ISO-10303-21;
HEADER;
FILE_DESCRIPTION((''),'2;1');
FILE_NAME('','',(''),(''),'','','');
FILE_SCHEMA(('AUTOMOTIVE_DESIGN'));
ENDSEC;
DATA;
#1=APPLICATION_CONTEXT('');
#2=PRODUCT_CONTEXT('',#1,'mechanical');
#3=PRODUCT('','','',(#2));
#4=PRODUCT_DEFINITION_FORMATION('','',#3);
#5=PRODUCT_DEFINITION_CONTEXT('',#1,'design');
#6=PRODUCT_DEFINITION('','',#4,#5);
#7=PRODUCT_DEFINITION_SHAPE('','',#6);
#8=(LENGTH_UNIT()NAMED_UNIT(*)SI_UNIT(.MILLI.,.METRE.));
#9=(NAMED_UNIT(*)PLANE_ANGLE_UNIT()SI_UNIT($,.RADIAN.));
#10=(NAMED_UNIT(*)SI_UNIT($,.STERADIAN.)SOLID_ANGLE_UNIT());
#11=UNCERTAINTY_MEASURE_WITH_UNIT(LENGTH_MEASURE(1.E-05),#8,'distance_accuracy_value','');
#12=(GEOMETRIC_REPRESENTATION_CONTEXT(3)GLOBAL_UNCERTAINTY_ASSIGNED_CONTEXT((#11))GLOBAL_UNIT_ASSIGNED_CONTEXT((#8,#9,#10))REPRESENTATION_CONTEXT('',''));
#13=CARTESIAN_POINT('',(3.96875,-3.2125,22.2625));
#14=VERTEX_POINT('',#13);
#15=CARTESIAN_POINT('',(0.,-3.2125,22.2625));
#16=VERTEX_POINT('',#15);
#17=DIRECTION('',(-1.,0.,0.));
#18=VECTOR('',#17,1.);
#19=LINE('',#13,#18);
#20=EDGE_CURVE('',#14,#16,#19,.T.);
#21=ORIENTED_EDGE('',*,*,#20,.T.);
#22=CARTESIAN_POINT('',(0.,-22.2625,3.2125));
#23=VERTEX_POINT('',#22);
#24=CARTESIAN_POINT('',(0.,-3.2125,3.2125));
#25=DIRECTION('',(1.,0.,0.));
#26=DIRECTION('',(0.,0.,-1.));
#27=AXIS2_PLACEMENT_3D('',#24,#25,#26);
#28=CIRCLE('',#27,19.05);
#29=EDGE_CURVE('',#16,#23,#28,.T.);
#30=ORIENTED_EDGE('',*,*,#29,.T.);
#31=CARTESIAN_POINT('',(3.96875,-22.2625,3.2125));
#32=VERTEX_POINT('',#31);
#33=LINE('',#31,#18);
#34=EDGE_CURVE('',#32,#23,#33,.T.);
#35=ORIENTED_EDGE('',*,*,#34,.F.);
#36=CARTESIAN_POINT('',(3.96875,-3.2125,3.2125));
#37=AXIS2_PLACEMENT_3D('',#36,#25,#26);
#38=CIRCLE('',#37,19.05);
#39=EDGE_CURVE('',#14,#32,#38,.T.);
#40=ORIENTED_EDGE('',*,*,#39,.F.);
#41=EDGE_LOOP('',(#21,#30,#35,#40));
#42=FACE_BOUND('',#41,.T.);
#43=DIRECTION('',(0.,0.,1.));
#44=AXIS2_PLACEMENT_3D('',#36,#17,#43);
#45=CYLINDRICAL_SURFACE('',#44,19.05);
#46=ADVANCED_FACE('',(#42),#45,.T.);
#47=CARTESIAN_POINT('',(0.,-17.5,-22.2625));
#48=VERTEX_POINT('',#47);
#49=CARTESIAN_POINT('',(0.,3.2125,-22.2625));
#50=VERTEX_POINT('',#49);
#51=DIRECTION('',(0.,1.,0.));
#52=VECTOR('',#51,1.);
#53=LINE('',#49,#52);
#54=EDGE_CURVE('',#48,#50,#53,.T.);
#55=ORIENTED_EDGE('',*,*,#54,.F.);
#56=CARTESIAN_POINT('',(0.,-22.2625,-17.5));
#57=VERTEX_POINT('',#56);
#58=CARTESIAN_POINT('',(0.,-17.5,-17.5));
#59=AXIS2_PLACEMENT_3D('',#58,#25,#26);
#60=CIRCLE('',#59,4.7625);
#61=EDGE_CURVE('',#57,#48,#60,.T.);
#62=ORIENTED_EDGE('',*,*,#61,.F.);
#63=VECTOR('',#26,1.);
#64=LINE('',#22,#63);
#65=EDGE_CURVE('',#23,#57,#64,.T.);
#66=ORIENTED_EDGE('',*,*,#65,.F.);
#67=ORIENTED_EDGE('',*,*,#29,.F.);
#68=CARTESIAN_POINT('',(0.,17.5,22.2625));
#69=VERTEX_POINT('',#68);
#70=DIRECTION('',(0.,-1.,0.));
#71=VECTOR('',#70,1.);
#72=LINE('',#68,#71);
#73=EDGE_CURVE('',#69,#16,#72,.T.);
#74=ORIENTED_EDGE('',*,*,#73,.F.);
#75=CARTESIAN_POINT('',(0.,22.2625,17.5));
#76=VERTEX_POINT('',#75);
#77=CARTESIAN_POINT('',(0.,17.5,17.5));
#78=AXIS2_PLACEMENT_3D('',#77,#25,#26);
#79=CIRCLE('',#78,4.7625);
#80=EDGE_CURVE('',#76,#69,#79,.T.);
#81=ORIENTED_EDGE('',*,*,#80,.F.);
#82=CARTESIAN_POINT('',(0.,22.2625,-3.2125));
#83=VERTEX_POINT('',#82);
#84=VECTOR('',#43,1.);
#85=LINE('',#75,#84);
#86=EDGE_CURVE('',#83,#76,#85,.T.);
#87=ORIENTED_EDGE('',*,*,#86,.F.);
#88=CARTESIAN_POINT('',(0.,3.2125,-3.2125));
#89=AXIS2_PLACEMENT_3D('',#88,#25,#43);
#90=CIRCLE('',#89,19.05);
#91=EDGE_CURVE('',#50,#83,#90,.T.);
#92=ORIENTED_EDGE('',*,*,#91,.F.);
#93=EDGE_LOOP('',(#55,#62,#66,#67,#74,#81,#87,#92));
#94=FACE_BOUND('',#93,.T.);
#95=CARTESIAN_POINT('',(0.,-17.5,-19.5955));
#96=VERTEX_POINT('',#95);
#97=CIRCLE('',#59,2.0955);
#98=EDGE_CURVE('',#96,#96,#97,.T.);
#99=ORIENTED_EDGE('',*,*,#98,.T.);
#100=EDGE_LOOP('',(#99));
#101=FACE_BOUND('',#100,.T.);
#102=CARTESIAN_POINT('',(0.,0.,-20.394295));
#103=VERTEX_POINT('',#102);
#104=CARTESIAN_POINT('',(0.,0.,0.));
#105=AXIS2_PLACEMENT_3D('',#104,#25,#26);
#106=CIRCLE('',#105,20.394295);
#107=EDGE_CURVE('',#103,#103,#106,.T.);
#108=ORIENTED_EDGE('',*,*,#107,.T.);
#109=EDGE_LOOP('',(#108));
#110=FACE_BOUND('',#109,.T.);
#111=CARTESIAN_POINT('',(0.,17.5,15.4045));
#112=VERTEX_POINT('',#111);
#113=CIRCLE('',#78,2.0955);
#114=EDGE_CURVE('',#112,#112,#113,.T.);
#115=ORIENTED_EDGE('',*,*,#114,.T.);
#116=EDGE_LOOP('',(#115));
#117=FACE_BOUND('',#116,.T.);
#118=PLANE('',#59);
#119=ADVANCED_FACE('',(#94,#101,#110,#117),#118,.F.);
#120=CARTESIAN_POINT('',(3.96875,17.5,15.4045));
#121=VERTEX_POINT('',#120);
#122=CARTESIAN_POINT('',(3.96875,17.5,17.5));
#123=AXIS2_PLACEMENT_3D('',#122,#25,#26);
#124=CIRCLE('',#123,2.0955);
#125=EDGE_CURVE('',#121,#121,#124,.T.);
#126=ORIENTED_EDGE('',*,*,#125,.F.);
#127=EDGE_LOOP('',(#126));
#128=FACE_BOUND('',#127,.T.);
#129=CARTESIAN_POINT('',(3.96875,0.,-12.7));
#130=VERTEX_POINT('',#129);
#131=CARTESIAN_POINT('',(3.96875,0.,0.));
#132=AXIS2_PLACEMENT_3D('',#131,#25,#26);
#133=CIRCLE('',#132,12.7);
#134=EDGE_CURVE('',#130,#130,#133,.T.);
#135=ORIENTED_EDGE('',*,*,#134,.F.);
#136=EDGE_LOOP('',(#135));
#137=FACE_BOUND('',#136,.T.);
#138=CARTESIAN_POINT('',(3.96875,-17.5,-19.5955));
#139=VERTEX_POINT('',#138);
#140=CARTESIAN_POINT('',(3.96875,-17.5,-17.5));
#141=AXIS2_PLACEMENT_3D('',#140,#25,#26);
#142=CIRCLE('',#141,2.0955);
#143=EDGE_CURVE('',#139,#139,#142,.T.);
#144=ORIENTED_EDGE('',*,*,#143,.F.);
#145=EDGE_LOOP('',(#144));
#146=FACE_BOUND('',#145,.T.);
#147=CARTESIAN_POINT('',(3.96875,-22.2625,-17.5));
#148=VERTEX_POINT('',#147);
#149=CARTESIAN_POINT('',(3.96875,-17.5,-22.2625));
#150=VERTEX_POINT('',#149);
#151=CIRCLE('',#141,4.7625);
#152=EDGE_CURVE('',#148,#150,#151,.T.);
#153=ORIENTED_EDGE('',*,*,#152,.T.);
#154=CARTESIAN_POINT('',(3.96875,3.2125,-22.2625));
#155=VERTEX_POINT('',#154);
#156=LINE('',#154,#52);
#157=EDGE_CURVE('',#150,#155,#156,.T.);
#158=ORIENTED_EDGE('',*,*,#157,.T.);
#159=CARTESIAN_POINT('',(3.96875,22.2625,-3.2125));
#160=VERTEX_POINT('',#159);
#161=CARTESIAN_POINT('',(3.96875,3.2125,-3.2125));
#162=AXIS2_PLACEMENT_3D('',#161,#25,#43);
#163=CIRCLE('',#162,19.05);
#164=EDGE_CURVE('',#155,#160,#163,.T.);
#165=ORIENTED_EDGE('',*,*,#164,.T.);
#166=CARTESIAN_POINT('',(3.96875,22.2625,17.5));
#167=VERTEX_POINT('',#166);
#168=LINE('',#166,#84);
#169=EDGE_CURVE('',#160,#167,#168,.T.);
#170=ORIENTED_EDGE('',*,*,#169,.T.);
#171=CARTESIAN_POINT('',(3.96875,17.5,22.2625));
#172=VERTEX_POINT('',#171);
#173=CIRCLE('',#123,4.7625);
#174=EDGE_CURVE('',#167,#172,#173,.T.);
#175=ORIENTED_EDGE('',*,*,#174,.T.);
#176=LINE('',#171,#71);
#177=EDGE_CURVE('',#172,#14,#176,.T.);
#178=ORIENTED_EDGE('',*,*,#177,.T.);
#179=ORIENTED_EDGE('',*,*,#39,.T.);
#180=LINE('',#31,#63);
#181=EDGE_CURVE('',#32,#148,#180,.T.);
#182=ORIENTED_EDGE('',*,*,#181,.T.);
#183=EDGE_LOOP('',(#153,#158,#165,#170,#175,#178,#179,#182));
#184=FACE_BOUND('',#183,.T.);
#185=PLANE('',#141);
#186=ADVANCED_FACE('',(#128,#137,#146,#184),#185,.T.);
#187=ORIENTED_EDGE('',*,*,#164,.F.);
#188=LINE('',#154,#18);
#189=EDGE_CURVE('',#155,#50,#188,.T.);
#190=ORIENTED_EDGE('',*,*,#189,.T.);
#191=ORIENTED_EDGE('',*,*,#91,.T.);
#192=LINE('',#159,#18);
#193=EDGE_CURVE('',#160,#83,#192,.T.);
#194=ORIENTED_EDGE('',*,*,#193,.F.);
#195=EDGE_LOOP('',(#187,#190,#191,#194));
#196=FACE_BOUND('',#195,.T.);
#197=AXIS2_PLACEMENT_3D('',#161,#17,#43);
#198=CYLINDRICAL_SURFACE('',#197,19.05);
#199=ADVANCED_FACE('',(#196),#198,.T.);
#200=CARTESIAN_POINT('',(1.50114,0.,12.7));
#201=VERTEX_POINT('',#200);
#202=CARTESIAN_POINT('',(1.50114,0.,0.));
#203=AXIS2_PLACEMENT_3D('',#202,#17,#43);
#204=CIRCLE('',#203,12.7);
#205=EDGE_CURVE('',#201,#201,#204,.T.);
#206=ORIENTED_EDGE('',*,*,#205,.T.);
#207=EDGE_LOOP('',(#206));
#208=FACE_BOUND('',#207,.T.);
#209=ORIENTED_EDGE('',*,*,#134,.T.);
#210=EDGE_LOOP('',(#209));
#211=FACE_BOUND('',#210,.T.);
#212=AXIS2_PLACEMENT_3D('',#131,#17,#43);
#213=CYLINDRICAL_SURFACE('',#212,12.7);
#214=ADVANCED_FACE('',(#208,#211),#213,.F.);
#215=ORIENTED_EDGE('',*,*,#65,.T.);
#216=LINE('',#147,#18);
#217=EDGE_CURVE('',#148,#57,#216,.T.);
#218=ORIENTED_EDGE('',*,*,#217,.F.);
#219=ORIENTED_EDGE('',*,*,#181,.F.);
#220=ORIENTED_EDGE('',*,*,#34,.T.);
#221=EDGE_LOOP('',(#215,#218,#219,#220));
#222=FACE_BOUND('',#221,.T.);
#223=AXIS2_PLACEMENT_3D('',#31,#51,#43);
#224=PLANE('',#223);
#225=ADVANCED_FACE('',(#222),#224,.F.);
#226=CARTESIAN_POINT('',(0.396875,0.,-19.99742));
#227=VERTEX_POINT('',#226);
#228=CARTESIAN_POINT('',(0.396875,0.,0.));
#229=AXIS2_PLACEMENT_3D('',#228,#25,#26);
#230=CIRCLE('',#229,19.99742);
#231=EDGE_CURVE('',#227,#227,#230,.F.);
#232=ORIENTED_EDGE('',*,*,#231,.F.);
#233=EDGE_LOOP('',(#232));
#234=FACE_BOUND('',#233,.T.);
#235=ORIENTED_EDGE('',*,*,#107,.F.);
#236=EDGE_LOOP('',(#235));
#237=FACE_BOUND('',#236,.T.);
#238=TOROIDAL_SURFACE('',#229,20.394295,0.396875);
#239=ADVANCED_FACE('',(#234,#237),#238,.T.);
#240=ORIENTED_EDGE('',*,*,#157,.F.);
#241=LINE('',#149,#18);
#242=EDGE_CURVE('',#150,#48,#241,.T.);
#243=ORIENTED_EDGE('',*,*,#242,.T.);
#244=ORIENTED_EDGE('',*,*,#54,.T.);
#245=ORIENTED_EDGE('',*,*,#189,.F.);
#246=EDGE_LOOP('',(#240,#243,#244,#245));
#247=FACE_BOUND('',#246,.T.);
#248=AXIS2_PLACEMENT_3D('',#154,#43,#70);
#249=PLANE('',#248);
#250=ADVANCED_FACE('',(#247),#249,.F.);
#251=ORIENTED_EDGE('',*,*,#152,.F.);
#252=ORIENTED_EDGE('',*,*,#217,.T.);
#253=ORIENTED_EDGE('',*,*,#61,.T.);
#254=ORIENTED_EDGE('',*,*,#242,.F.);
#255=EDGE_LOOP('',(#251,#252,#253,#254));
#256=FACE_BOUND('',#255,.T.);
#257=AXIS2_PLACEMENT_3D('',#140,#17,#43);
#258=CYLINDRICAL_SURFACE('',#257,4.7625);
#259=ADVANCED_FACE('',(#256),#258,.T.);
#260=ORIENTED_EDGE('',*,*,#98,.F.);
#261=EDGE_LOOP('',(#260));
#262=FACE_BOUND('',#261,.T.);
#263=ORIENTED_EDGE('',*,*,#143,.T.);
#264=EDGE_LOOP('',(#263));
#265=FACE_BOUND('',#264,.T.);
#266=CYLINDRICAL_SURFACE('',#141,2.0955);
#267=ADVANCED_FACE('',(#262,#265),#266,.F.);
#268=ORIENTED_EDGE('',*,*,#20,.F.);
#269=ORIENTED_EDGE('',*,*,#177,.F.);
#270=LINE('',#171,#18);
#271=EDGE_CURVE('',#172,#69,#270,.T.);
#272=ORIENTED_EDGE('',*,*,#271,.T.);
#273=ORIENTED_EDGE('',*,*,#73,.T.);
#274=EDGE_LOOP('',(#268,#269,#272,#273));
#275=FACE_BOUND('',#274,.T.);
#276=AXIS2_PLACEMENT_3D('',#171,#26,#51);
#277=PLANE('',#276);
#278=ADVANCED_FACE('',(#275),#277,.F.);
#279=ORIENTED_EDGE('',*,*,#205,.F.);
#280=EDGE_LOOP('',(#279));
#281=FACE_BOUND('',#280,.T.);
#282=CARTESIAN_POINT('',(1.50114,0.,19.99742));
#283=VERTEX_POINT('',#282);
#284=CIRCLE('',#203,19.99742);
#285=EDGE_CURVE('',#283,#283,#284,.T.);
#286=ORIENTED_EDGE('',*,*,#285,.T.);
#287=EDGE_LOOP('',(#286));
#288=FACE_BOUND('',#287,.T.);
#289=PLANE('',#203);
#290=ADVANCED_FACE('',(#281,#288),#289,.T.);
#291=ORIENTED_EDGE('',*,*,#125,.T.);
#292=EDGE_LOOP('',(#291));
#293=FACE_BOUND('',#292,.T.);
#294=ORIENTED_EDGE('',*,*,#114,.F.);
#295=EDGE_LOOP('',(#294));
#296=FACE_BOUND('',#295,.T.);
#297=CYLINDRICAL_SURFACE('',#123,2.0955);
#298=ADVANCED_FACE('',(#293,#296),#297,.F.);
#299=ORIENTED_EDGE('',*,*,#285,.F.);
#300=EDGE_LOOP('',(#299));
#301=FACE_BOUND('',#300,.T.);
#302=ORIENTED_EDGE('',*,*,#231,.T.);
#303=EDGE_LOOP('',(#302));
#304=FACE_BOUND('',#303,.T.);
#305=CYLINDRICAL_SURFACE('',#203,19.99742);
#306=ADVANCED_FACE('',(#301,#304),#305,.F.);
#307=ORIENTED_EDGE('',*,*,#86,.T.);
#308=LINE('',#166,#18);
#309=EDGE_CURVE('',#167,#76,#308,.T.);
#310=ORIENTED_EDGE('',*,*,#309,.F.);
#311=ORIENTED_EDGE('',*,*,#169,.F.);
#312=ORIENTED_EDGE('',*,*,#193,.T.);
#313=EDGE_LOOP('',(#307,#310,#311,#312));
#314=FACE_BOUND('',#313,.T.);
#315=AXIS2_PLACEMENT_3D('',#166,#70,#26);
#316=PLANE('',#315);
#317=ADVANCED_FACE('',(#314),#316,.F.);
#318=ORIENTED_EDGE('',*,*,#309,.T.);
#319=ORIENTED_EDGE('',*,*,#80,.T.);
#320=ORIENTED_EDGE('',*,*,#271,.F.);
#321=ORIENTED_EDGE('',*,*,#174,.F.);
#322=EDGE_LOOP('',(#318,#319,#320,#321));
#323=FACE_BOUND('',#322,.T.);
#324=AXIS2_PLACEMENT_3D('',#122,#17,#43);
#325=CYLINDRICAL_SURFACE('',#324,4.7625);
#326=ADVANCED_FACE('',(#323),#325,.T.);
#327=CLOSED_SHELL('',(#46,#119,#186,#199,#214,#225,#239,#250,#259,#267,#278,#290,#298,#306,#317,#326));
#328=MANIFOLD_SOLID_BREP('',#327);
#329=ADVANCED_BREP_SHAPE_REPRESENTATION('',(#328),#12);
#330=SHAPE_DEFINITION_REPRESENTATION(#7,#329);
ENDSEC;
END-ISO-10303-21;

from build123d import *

# Parameters (mm, degrees)
SKETCH1_R             = 12.7
BOSS_EXTRUDE1_DEPTH   = 3.96875
SKETCH2_R             = 19.99742
CUT_EXTRUDE1_DEPTH    = 1.50114
F_8_CLEARANCE_HOLE1_D = 4.191
FILLET1_R             = 0.396875


with BuildPart() as part:
    # Sketch1 → Boss-Extrude1 (new body)
    with BuildSketch(Plane(origin=(0, 0, 0), x_dir=(0, 0, -1), z_dir=(1, 0, 0))):
        with BuildLine():
            Line((-17.5, 22.2625), (3.2125, 22.2625))
            ThreePointArc((3.2125, 22.2625), (16.682884182, 16.682884182), (22.2625, 3.2125))
            Line((22.2625, 3.2125), (22.2625, -17.5))
            ThreePointArc((22.2625, -17.5), (20.867596045, -20.867596045), (17.5, -22.2625))
            Line((17.5, -22.2625), (-3.2125, -22.2625))
            ThreePointArc((-3.2125, -22.2625), (-16.682884182, -16.682884182), (-22.2625, -3.2125))
            Line((-22.2625, -3.2125), (-22.2625, 17.5))
            ThreePointArc((-22.2625, 17.5), (-20.867596045, 20.867596045), (-17.5, 22.2625))
        make_face()
        Circle(SKETCH1_R, mode=Mode.SUBTRACT)
    extrude(amount=BOSS_EXTRUDE1_DEPTH)

    # Sketch2 → Cut-Extrude1 (cut)
    with BuildSketch(Plane.ZY):
        Circle(SKETCH2_R)
    extrude(amount=-CUT_EXTRUDE1_DEPTH, mode=Mode.SUBTRACT)

    # #8 Clearance Hole1 (through all)
    with Locations(Plane(origin=(3.96875, 0, 0), x_dir=(0, 0, -1), z_dir=(1, 0, 0))):
        with Locations((-17.5, 17.5), (17.5, -17.5)):
            Hole(F_8_CLEARANCE_HOLE1_D / 2)

    # Fillet1
    fillet1_edges = [part.edges().sort_by_distance(p)[0] for p in [
        (0, 0, -19.99742),
    ]]
    fillet(fillet1_edges, radius=FILLET1_R)


solid = part.part
